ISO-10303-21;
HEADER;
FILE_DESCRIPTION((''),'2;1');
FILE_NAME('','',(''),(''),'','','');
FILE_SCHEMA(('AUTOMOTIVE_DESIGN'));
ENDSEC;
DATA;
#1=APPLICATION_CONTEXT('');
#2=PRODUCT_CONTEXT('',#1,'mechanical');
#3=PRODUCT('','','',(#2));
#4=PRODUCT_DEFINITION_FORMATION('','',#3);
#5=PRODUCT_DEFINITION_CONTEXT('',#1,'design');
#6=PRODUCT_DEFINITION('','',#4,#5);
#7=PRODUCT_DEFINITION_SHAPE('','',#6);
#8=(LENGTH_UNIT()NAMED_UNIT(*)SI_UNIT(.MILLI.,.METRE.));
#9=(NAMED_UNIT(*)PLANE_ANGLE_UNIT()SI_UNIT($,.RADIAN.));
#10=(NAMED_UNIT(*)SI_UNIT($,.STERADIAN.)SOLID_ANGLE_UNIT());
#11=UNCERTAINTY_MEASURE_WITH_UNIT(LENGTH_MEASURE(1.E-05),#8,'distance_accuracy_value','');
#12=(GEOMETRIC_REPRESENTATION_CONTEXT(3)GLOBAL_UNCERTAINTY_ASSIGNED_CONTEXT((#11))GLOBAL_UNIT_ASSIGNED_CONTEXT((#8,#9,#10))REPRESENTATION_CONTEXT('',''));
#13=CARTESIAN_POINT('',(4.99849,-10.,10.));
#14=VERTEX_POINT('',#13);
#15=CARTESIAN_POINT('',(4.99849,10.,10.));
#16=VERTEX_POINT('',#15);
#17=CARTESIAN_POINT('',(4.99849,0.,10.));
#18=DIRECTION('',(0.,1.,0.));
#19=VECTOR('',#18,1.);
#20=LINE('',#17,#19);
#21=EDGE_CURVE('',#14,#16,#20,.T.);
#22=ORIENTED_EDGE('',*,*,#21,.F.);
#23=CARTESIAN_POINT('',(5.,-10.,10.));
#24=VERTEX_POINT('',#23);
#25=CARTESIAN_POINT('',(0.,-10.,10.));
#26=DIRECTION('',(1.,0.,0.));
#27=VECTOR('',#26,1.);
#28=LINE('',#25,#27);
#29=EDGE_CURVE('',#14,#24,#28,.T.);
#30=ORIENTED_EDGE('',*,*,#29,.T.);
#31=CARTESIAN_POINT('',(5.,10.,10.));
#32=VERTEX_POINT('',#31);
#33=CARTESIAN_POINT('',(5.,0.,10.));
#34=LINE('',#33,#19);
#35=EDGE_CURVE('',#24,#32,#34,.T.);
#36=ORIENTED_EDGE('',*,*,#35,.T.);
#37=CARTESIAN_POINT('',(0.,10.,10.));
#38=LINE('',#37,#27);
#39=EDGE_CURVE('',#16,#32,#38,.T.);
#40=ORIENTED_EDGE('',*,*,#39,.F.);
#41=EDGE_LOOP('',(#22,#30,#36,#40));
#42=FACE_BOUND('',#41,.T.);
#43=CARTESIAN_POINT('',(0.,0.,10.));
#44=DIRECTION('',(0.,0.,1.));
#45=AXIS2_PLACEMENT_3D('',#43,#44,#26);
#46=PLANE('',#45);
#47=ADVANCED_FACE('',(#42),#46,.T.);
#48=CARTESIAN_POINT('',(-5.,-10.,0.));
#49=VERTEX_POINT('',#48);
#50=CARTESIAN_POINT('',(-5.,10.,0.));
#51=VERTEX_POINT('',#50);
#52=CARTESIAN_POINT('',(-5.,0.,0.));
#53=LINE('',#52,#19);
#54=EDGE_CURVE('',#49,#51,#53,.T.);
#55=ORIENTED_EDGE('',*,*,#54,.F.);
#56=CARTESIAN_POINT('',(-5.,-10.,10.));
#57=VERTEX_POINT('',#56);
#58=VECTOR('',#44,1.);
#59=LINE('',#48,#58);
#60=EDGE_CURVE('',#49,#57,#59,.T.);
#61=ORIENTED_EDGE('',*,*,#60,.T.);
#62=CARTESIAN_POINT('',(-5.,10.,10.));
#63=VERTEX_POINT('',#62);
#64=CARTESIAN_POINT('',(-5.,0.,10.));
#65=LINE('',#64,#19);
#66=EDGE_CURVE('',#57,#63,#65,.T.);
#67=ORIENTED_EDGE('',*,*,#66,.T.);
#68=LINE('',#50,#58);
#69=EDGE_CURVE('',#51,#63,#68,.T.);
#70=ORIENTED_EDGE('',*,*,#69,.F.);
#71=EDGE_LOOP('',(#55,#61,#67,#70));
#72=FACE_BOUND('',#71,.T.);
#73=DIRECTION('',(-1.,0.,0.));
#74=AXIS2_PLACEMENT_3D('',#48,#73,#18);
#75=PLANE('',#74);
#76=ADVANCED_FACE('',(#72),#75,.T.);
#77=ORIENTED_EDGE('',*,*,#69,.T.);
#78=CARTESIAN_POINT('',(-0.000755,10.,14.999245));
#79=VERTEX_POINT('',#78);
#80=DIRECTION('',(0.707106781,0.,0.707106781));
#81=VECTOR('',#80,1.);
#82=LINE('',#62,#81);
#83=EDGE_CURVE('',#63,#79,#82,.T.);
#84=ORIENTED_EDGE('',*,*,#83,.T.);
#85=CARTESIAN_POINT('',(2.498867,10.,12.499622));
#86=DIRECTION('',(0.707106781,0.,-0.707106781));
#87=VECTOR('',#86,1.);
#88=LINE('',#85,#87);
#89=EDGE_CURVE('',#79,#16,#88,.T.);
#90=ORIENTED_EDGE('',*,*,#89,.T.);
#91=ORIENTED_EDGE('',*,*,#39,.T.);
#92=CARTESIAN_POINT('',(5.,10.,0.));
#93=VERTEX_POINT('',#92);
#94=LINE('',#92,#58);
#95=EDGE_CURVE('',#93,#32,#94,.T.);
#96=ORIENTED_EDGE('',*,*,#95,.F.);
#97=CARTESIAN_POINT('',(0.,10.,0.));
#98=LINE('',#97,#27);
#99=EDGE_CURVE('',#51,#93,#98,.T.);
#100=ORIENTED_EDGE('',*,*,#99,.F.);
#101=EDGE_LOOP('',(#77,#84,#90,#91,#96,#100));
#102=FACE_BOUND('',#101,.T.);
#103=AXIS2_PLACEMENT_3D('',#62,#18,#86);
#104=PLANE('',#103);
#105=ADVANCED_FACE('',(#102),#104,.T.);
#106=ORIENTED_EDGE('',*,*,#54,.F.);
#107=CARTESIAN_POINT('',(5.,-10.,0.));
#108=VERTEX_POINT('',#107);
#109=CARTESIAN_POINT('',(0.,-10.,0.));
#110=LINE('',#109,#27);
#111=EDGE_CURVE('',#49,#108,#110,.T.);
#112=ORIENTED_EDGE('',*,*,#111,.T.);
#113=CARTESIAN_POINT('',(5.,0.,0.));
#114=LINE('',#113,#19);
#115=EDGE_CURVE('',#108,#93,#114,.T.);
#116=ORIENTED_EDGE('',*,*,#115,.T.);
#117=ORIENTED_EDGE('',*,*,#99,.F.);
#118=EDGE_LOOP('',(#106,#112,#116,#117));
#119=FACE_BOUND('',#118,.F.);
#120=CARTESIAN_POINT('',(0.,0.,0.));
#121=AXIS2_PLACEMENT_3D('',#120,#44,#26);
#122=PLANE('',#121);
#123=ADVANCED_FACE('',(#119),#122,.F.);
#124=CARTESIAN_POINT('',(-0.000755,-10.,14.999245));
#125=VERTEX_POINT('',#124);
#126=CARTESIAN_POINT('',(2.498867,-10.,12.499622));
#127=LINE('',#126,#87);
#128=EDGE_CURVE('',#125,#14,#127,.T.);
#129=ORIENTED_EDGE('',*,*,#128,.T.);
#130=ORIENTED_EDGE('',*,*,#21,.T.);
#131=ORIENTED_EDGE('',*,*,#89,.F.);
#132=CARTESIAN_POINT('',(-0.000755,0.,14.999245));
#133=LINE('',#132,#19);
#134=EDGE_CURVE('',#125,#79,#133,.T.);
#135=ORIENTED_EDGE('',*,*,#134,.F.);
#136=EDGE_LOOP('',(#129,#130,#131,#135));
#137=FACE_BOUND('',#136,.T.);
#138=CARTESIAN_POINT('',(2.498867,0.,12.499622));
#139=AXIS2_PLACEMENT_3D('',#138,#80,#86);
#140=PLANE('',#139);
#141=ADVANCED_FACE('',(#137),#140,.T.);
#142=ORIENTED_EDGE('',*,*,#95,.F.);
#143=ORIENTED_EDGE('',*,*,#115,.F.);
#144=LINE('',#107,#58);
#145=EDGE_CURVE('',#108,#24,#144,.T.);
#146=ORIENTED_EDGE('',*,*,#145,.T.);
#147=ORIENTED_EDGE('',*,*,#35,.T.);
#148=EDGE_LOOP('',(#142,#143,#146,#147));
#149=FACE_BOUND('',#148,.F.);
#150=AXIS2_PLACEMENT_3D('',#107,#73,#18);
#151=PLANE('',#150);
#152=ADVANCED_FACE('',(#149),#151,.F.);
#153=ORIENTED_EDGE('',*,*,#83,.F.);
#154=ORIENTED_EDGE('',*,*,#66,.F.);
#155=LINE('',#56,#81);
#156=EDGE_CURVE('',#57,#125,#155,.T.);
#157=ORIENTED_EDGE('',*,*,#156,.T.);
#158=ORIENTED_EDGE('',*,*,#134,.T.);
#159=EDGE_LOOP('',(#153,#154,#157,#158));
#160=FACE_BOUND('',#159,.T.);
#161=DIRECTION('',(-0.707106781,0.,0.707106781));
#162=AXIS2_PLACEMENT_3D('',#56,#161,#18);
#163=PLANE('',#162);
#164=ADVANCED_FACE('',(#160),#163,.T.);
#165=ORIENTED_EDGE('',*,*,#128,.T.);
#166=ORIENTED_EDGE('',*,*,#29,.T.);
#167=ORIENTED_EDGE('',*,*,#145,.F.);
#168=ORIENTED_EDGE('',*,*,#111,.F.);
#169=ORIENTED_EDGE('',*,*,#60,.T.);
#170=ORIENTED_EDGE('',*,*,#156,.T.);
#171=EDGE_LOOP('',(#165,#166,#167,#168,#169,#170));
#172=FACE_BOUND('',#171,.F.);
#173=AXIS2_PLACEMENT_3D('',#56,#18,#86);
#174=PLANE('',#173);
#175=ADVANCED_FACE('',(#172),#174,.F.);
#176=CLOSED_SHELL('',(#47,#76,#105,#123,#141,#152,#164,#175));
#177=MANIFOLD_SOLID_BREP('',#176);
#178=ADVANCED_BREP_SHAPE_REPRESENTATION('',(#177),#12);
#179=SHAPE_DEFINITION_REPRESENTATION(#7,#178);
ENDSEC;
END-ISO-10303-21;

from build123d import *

# Parameters (mm, degrees)
BOX001_W               = 7.07
BOX001_H               = 20
BOX001_DEPTH           = 7.07
BOX001_PLACEMENT_ANGLE = 45
BOX_W                  = 10
BOX_H                  = 20
BOX_DEPTH              = 10


with BuildPart() as cubo001:
    # Box001 → Box001 (new body)
    with BuildSketch(Plane.XY):
        with Locations((3.535, 10)):
            Rectangle(BOX001_W, BOX001_H)
    extrude(amount=BOX001_DEPTH)


with BuildPart() as cubo001_1:
    # Box001 placement: moved
    add(cubo001.part.moved(Location((-5, -10, 10))).rotate(Axis((-5, -10, 10), (0, 1, 0)), BOX001_PLACEMENT_ANGLE))


with BuildPart() as fusion:
    # Box → Box (new body)
    with BuildSketch(Plane(origin=(-5, -10, 0), x_dir=(1, 0, 0), z_dir=(0, 0, 1))):
        with Locations((5, 10)):
            Rectangle(BOX_W, BOX_H)
    extrude(amount=BOX_DEPTH)

    # Fusion: union Cubo001
    add(cubo001_1.part)


solid = fusion.part
